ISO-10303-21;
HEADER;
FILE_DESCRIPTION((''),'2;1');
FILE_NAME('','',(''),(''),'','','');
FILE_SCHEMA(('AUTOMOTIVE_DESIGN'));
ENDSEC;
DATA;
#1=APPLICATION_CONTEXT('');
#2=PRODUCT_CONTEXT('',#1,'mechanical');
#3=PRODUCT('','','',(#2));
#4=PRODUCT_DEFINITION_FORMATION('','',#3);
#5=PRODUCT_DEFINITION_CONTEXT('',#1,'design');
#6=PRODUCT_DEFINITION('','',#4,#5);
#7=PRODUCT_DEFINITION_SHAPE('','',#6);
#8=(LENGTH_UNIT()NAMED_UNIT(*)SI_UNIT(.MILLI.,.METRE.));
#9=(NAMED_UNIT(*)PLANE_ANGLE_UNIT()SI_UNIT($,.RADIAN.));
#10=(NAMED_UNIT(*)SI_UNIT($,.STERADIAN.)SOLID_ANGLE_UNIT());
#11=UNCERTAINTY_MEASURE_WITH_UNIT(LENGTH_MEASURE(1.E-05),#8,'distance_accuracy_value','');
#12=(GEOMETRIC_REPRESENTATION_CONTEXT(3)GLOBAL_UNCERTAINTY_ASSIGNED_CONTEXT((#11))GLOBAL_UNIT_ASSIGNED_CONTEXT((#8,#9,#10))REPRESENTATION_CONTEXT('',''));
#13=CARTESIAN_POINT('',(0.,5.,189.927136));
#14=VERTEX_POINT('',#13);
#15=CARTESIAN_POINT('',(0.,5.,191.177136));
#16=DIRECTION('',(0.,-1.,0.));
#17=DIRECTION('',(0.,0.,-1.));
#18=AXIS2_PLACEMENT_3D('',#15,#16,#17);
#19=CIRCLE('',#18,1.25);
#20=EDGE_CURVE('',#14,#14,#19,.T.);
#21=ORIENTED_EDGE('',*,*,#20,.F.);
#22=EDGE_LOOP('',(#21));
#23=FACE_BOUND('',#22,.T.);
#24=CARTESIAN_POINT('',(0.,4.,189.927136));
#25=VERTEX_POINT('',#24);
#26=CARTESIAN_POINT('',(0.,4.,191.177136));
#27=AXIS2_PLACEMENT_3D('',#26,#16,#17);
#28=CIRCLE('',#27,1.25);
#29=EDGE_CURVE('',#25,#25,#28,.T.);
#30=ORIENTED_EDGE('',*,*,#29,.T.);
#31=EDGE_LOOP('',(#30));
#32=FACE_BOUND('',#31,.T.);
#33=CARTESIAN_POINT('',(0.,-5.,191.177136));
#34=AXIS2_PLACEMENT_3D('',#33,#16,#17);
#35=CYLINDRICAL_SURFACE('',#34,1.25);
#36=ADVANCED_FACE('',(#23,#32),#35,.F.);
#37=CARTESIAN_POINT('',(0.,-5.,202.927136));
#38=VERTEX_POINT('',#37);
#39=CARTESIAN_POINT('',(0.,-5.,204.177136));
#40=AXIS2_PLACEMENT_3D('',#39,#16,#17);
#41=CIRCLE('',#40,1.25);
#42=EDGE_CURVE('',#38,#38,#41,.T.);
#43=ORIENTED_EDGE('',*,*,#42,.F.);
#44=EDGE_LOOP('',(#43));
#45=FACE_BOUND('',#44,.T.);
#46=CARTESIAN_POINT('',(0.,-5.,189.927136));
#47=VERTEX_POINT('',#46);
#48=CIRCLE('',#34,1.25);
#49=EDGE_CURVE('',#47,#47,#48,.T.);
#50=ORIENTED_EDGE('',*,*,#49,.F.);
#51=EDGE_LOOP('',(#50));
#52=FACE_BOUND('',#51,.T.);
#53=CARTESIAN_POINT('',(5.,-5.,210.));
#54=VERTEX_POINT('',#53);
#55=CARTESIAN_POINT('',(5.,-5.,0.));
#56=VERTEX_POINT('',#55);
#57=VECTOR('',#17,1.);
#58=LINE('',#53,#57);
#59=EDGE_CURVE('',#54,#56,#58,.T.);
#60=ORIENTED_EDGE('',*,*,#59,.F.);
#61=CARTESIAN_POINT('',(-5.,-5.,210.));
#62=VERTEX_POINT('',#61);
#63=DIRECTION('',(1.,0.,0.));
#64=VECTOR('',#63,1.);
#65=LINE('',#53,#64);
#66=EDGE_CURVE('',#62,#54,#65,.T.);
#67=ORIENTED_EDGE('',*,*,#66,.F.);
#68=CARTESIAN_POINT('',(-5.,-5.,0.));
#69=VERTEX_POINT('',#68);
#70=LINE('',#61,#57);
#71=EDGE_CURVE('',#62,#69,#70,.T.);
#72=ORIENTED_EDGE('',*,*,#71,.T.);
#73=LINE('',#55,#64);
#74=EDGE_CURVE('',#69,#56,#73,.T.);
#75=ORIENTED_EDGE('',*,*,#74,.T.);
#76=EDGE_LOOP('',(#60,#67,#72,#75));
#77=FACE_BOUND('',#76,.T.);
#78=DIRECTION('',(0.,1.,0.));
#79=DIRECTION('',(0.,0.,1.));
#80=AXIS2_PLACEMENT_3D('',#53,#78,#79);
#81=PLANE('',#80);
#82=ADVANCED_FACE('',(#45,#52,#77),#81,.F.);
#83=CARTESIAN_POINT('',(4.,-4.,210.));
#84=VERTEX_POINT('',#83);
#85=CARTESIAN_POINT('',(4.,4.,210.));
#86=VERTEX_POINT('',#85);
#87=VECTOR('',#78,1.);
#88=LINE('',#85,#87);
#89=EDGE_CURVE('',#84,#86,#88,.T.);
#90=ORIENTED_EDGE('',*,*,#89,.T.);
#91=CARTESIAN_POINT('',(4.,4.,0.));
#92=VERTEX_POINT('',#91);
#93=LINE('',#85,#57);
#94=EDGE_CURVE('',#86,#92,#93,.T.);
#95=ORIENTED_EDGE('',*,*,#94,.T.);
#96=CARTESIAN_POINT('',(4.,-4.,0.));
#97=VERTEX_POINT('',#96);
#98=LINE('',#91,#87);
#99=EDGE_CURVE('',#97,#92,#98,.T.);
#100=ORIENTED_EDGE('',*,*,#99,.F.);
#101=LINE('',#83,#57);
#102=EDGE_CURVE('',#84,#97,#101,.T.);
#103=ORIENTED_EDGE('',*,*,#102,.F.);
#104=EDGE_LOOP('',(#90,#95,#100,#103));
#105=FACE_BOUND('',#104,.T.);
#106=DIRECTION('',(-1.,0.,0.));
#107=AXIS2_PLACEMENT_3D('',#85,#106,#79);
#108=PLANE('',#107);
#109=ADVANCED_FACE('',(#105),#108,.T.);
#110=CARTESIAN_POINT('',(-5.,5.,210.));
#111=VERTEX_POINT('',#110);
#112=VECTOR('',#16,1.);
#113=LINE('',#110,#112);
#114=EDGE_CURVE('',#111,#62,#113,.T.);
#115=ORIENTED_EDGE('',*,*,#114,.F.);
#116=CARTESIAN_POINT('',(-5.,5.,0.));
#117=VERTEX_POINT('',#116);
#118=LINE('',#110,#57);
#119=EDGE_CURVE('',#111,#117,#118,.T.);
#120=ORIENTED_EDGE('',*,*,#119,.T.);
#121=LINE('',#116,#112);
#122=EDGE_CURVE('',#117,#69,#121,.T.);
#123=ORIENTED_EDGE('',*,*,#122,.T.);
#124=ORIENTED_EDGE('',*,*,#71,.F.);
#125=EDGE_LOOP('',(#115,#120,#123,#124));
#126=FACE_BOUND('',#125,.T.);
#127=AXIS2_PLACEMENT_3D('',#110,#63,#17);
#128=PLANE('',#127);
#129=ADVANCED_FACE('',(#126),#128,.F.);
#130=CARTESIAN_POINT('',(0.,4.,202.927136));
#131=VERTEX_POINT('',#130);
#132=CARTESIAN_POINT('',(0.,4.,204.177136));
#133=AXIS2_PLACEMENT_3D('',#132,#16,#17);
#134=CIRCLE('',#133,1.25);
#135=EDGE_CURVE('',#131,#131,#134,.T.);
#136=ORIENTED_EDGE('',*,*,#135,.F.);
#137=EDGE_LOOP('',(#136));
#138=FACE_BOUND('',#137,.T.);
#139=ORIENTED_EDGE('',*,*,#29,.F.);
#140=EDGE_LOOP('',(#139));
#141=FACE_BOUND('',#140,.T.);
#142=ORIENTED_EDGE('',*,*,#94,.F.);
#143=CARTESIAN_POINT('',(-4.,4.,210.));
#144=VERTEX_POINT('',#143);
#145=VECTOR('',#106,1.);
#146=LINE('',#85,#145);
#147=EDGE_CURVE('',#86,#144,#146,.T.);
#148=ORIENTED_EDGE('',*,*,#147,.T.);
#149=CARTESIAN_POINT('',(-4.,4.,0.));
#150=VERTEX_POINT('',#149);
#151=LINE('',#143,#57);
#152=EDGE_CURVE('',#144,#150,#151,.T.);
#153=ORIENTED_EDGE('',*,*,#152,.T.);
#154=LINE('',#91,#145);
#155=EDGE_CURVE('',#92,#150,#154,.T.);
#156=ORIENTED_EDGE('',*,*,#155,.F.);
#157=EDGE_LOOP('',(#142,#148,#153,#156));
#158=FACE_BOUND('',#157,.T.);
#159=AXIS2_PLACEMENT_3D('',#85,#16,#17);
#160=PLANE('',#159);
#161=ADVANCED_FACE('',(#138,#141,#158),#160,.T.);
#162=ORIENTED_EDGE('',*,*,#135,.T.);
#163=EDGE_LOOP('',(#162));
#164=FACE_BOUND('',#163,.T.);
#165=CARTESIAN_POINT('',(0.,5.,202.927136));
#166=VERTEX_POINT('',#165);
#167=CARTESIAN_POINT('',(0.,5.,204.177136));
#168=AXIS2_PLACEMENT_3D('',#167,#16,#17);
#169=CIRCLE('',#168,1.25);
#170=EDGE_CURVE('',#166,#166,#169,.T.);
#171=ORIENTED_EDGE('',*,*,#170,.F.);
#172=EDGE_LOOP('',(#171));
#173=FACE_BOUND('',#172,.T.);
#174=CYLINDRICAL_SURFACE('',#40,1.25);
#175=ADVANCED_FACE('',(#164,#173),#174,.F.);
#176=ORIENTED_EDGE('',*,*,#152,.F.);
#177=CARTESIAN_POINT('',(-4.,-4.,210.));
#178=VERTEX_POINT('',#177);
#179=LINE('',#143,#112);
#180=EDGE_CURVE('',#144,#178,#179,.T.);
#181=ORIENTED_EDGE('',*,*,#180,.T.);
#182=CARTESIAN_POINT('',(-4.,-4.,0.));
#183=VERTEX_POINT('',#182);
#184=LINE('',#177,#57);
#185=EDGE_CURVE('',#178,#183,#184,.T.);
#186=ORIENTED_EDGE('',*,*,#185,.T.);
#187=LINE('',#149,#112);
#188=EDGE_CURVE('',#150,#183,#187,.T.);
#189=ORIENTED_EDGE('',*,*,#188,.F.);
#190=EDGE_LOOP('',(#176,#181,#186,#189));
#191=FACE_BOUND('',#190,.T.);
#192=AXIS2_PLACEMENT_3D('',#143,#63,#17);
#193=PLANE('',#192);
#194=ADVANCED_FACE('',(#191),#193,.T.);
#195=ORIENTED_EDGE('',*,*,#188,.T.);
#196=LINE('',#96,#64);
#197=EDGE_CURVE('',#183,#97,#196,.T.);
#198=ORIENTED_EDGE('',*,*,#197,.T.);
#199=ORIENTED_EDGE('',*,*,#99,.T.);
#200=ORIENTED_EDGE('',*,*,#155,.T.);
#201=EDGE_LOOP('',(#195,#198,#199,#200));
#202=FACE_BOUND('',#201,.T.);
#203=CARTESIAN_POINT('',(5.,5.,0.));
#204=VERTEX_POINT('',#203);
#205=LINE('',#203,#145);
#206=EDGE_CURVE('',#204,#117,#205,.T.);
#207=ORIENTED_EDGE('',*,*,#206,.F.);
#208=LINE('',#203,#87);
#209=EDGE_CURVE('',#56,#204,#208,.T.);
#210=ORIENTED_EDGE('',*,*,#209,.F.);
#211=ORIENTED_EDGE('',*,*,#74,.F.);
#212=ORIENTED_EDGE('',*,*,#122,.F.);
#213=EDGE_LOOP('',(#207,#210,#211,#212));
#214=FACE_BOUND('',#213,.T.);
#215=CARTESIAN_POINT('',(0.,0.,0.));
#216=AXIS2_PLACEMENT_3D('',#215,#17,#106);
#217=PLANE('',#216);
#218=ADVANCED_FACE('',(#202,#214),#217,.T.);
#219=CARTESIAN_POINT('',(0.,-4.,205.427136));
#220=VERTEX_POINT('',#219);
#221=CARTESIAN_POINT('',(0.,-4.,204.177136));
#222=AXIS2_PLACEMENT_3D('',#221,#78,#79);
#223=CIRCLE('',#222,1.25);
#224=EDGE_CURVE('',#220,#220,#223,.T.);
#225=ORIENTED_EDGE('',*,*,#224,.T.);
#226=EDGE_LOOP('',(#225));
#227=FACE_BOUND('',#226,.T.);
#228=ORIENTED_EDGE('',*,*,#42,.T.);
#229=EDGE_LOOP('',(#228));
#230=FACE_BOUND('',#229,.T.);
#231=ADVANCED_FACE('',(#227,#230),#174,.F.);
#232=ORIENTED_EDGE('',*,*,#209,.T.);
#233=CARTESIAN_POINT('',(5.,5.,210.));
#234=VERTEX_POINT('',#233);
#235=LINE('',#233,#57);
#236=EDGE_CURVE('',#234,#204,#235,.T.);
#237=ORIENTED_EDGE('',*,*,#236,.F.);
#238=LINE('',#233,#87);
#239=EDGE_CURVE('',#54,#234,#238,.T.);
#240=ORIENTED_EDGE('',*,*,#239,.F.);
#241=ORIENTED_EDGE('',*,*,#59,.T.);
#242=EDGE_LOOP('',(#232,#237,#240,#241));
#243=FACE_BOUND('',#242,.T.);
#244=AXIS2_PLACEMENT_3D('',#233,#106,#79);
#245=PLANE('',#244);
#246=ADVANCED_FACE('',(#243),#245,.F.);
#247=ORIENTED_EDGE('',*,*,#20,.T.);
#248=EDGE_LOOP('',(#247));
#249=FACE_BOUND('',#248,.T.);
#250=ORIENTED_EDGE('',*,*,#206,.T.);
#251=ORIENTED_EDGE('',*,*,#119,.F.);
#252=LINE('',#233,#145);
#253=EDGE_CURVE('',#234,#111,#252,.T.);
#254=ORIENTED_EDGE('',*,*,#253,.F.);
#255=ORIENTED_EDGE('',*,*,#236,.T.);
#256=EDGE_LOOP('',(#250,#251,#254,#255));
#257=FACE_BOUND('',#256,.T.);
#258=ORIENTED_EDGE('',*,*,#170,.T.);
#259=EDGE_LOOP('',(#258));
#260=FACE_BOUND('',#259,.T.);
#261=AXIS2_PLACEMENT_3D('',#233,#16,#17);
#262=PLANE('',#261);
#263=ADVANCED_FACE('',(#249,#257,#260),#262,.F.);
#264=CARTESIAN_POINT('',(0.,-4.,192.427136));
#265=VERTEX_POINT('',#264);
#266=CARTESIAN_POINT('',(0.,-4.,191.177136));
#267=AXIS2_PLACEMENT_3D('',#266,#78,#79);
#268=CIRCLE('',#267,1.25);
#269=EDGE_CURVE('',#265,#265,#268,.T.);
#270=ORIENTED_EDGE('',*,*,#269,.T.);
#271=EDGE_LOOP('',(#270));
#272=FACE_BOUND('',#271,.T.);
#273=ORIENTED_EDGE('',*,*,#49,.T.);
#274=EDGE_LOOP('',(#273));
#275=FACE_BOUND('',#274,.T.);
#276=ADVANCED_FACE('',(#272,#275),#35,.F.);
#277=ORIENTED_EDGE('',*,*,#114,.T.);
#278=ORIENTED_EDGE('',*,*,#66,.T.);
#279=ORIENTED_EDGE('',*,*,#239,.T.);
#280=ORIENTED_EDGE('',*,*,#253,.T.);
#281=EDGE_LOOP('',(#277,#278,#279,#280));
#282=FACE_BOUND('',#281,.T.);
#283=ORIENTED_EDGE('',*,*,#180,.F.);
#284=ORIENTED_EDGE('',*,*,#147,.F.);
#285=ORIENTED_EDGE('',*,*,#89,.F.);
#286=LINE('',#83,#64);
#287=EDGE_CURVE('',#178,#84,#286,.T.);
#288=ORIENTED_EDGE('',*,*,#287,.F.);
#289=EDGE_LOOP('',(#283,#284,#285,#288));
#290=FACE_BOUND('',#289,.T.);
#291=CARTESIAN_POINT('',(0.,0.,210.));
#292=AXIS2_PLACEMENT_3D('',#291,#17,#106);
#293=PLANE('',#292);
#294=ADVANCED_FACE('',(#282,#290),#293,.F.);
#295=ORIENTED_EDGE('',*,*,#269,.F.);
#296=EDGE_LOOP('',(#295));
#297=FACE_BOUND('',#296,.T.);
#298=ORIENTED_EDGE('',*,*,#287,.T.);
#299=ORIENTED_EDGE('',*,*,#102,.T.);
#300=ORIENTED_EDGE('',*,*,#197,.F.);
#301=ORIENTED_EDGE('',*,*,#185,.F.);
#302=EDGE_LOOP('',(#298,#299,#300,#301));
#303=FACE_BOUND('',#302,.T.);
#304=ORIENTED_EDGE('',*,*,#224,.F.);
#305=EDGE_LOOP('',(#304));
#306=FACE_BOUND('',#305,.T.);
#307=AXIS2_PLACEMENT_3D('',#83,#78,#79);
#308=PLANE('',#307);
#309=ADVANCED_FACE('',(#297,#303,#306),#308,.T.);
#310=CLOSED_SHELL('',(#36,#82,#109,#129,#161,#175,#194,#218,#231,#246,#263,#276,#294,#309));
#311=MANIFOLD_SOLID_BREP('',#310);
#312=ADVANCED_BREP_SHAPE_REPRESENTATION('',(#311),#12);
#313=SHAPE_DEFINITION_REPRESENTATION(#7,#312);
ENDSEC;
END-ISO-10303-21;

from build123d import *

# Parameters (mm, degrees)
SKETCH_1_W      = 10
SKETCH_1_H      = 10
SKETCH_1_W_2    = 8
SKETCH_1_H_2    = 8
EXTRUDE_1_DEPTH = 210
HOLE_WIZARD_1_D = 2.5


with BuildPart() as part:
    # 草图1 → 凸台-拉伸1 (new body)
    with BuildSketch(Plane.XY):
        Rectangle(SKETCH_1_W, SKETCH_1_H)
        Rectangle(SKETCH_1_W_2, SKETCH_1_H_2, mode=Mode.SUBTRACT)
    extrude(amount=EXTRUDE_1_DEPTH)

    # 孔1 (through all)
    with Locations(Plane(origin=(0, -5, 0), x_dir=(-1, 0, 0), z_dir=(0, -1, 0))):
        with Locations((0, -204.177136039), (0, -191.177136039), (-130, -204.177136039), (-130, -191.177136039)):
            Hole(HOLE_WIZARD_1_D / 2)


solid = part.part
